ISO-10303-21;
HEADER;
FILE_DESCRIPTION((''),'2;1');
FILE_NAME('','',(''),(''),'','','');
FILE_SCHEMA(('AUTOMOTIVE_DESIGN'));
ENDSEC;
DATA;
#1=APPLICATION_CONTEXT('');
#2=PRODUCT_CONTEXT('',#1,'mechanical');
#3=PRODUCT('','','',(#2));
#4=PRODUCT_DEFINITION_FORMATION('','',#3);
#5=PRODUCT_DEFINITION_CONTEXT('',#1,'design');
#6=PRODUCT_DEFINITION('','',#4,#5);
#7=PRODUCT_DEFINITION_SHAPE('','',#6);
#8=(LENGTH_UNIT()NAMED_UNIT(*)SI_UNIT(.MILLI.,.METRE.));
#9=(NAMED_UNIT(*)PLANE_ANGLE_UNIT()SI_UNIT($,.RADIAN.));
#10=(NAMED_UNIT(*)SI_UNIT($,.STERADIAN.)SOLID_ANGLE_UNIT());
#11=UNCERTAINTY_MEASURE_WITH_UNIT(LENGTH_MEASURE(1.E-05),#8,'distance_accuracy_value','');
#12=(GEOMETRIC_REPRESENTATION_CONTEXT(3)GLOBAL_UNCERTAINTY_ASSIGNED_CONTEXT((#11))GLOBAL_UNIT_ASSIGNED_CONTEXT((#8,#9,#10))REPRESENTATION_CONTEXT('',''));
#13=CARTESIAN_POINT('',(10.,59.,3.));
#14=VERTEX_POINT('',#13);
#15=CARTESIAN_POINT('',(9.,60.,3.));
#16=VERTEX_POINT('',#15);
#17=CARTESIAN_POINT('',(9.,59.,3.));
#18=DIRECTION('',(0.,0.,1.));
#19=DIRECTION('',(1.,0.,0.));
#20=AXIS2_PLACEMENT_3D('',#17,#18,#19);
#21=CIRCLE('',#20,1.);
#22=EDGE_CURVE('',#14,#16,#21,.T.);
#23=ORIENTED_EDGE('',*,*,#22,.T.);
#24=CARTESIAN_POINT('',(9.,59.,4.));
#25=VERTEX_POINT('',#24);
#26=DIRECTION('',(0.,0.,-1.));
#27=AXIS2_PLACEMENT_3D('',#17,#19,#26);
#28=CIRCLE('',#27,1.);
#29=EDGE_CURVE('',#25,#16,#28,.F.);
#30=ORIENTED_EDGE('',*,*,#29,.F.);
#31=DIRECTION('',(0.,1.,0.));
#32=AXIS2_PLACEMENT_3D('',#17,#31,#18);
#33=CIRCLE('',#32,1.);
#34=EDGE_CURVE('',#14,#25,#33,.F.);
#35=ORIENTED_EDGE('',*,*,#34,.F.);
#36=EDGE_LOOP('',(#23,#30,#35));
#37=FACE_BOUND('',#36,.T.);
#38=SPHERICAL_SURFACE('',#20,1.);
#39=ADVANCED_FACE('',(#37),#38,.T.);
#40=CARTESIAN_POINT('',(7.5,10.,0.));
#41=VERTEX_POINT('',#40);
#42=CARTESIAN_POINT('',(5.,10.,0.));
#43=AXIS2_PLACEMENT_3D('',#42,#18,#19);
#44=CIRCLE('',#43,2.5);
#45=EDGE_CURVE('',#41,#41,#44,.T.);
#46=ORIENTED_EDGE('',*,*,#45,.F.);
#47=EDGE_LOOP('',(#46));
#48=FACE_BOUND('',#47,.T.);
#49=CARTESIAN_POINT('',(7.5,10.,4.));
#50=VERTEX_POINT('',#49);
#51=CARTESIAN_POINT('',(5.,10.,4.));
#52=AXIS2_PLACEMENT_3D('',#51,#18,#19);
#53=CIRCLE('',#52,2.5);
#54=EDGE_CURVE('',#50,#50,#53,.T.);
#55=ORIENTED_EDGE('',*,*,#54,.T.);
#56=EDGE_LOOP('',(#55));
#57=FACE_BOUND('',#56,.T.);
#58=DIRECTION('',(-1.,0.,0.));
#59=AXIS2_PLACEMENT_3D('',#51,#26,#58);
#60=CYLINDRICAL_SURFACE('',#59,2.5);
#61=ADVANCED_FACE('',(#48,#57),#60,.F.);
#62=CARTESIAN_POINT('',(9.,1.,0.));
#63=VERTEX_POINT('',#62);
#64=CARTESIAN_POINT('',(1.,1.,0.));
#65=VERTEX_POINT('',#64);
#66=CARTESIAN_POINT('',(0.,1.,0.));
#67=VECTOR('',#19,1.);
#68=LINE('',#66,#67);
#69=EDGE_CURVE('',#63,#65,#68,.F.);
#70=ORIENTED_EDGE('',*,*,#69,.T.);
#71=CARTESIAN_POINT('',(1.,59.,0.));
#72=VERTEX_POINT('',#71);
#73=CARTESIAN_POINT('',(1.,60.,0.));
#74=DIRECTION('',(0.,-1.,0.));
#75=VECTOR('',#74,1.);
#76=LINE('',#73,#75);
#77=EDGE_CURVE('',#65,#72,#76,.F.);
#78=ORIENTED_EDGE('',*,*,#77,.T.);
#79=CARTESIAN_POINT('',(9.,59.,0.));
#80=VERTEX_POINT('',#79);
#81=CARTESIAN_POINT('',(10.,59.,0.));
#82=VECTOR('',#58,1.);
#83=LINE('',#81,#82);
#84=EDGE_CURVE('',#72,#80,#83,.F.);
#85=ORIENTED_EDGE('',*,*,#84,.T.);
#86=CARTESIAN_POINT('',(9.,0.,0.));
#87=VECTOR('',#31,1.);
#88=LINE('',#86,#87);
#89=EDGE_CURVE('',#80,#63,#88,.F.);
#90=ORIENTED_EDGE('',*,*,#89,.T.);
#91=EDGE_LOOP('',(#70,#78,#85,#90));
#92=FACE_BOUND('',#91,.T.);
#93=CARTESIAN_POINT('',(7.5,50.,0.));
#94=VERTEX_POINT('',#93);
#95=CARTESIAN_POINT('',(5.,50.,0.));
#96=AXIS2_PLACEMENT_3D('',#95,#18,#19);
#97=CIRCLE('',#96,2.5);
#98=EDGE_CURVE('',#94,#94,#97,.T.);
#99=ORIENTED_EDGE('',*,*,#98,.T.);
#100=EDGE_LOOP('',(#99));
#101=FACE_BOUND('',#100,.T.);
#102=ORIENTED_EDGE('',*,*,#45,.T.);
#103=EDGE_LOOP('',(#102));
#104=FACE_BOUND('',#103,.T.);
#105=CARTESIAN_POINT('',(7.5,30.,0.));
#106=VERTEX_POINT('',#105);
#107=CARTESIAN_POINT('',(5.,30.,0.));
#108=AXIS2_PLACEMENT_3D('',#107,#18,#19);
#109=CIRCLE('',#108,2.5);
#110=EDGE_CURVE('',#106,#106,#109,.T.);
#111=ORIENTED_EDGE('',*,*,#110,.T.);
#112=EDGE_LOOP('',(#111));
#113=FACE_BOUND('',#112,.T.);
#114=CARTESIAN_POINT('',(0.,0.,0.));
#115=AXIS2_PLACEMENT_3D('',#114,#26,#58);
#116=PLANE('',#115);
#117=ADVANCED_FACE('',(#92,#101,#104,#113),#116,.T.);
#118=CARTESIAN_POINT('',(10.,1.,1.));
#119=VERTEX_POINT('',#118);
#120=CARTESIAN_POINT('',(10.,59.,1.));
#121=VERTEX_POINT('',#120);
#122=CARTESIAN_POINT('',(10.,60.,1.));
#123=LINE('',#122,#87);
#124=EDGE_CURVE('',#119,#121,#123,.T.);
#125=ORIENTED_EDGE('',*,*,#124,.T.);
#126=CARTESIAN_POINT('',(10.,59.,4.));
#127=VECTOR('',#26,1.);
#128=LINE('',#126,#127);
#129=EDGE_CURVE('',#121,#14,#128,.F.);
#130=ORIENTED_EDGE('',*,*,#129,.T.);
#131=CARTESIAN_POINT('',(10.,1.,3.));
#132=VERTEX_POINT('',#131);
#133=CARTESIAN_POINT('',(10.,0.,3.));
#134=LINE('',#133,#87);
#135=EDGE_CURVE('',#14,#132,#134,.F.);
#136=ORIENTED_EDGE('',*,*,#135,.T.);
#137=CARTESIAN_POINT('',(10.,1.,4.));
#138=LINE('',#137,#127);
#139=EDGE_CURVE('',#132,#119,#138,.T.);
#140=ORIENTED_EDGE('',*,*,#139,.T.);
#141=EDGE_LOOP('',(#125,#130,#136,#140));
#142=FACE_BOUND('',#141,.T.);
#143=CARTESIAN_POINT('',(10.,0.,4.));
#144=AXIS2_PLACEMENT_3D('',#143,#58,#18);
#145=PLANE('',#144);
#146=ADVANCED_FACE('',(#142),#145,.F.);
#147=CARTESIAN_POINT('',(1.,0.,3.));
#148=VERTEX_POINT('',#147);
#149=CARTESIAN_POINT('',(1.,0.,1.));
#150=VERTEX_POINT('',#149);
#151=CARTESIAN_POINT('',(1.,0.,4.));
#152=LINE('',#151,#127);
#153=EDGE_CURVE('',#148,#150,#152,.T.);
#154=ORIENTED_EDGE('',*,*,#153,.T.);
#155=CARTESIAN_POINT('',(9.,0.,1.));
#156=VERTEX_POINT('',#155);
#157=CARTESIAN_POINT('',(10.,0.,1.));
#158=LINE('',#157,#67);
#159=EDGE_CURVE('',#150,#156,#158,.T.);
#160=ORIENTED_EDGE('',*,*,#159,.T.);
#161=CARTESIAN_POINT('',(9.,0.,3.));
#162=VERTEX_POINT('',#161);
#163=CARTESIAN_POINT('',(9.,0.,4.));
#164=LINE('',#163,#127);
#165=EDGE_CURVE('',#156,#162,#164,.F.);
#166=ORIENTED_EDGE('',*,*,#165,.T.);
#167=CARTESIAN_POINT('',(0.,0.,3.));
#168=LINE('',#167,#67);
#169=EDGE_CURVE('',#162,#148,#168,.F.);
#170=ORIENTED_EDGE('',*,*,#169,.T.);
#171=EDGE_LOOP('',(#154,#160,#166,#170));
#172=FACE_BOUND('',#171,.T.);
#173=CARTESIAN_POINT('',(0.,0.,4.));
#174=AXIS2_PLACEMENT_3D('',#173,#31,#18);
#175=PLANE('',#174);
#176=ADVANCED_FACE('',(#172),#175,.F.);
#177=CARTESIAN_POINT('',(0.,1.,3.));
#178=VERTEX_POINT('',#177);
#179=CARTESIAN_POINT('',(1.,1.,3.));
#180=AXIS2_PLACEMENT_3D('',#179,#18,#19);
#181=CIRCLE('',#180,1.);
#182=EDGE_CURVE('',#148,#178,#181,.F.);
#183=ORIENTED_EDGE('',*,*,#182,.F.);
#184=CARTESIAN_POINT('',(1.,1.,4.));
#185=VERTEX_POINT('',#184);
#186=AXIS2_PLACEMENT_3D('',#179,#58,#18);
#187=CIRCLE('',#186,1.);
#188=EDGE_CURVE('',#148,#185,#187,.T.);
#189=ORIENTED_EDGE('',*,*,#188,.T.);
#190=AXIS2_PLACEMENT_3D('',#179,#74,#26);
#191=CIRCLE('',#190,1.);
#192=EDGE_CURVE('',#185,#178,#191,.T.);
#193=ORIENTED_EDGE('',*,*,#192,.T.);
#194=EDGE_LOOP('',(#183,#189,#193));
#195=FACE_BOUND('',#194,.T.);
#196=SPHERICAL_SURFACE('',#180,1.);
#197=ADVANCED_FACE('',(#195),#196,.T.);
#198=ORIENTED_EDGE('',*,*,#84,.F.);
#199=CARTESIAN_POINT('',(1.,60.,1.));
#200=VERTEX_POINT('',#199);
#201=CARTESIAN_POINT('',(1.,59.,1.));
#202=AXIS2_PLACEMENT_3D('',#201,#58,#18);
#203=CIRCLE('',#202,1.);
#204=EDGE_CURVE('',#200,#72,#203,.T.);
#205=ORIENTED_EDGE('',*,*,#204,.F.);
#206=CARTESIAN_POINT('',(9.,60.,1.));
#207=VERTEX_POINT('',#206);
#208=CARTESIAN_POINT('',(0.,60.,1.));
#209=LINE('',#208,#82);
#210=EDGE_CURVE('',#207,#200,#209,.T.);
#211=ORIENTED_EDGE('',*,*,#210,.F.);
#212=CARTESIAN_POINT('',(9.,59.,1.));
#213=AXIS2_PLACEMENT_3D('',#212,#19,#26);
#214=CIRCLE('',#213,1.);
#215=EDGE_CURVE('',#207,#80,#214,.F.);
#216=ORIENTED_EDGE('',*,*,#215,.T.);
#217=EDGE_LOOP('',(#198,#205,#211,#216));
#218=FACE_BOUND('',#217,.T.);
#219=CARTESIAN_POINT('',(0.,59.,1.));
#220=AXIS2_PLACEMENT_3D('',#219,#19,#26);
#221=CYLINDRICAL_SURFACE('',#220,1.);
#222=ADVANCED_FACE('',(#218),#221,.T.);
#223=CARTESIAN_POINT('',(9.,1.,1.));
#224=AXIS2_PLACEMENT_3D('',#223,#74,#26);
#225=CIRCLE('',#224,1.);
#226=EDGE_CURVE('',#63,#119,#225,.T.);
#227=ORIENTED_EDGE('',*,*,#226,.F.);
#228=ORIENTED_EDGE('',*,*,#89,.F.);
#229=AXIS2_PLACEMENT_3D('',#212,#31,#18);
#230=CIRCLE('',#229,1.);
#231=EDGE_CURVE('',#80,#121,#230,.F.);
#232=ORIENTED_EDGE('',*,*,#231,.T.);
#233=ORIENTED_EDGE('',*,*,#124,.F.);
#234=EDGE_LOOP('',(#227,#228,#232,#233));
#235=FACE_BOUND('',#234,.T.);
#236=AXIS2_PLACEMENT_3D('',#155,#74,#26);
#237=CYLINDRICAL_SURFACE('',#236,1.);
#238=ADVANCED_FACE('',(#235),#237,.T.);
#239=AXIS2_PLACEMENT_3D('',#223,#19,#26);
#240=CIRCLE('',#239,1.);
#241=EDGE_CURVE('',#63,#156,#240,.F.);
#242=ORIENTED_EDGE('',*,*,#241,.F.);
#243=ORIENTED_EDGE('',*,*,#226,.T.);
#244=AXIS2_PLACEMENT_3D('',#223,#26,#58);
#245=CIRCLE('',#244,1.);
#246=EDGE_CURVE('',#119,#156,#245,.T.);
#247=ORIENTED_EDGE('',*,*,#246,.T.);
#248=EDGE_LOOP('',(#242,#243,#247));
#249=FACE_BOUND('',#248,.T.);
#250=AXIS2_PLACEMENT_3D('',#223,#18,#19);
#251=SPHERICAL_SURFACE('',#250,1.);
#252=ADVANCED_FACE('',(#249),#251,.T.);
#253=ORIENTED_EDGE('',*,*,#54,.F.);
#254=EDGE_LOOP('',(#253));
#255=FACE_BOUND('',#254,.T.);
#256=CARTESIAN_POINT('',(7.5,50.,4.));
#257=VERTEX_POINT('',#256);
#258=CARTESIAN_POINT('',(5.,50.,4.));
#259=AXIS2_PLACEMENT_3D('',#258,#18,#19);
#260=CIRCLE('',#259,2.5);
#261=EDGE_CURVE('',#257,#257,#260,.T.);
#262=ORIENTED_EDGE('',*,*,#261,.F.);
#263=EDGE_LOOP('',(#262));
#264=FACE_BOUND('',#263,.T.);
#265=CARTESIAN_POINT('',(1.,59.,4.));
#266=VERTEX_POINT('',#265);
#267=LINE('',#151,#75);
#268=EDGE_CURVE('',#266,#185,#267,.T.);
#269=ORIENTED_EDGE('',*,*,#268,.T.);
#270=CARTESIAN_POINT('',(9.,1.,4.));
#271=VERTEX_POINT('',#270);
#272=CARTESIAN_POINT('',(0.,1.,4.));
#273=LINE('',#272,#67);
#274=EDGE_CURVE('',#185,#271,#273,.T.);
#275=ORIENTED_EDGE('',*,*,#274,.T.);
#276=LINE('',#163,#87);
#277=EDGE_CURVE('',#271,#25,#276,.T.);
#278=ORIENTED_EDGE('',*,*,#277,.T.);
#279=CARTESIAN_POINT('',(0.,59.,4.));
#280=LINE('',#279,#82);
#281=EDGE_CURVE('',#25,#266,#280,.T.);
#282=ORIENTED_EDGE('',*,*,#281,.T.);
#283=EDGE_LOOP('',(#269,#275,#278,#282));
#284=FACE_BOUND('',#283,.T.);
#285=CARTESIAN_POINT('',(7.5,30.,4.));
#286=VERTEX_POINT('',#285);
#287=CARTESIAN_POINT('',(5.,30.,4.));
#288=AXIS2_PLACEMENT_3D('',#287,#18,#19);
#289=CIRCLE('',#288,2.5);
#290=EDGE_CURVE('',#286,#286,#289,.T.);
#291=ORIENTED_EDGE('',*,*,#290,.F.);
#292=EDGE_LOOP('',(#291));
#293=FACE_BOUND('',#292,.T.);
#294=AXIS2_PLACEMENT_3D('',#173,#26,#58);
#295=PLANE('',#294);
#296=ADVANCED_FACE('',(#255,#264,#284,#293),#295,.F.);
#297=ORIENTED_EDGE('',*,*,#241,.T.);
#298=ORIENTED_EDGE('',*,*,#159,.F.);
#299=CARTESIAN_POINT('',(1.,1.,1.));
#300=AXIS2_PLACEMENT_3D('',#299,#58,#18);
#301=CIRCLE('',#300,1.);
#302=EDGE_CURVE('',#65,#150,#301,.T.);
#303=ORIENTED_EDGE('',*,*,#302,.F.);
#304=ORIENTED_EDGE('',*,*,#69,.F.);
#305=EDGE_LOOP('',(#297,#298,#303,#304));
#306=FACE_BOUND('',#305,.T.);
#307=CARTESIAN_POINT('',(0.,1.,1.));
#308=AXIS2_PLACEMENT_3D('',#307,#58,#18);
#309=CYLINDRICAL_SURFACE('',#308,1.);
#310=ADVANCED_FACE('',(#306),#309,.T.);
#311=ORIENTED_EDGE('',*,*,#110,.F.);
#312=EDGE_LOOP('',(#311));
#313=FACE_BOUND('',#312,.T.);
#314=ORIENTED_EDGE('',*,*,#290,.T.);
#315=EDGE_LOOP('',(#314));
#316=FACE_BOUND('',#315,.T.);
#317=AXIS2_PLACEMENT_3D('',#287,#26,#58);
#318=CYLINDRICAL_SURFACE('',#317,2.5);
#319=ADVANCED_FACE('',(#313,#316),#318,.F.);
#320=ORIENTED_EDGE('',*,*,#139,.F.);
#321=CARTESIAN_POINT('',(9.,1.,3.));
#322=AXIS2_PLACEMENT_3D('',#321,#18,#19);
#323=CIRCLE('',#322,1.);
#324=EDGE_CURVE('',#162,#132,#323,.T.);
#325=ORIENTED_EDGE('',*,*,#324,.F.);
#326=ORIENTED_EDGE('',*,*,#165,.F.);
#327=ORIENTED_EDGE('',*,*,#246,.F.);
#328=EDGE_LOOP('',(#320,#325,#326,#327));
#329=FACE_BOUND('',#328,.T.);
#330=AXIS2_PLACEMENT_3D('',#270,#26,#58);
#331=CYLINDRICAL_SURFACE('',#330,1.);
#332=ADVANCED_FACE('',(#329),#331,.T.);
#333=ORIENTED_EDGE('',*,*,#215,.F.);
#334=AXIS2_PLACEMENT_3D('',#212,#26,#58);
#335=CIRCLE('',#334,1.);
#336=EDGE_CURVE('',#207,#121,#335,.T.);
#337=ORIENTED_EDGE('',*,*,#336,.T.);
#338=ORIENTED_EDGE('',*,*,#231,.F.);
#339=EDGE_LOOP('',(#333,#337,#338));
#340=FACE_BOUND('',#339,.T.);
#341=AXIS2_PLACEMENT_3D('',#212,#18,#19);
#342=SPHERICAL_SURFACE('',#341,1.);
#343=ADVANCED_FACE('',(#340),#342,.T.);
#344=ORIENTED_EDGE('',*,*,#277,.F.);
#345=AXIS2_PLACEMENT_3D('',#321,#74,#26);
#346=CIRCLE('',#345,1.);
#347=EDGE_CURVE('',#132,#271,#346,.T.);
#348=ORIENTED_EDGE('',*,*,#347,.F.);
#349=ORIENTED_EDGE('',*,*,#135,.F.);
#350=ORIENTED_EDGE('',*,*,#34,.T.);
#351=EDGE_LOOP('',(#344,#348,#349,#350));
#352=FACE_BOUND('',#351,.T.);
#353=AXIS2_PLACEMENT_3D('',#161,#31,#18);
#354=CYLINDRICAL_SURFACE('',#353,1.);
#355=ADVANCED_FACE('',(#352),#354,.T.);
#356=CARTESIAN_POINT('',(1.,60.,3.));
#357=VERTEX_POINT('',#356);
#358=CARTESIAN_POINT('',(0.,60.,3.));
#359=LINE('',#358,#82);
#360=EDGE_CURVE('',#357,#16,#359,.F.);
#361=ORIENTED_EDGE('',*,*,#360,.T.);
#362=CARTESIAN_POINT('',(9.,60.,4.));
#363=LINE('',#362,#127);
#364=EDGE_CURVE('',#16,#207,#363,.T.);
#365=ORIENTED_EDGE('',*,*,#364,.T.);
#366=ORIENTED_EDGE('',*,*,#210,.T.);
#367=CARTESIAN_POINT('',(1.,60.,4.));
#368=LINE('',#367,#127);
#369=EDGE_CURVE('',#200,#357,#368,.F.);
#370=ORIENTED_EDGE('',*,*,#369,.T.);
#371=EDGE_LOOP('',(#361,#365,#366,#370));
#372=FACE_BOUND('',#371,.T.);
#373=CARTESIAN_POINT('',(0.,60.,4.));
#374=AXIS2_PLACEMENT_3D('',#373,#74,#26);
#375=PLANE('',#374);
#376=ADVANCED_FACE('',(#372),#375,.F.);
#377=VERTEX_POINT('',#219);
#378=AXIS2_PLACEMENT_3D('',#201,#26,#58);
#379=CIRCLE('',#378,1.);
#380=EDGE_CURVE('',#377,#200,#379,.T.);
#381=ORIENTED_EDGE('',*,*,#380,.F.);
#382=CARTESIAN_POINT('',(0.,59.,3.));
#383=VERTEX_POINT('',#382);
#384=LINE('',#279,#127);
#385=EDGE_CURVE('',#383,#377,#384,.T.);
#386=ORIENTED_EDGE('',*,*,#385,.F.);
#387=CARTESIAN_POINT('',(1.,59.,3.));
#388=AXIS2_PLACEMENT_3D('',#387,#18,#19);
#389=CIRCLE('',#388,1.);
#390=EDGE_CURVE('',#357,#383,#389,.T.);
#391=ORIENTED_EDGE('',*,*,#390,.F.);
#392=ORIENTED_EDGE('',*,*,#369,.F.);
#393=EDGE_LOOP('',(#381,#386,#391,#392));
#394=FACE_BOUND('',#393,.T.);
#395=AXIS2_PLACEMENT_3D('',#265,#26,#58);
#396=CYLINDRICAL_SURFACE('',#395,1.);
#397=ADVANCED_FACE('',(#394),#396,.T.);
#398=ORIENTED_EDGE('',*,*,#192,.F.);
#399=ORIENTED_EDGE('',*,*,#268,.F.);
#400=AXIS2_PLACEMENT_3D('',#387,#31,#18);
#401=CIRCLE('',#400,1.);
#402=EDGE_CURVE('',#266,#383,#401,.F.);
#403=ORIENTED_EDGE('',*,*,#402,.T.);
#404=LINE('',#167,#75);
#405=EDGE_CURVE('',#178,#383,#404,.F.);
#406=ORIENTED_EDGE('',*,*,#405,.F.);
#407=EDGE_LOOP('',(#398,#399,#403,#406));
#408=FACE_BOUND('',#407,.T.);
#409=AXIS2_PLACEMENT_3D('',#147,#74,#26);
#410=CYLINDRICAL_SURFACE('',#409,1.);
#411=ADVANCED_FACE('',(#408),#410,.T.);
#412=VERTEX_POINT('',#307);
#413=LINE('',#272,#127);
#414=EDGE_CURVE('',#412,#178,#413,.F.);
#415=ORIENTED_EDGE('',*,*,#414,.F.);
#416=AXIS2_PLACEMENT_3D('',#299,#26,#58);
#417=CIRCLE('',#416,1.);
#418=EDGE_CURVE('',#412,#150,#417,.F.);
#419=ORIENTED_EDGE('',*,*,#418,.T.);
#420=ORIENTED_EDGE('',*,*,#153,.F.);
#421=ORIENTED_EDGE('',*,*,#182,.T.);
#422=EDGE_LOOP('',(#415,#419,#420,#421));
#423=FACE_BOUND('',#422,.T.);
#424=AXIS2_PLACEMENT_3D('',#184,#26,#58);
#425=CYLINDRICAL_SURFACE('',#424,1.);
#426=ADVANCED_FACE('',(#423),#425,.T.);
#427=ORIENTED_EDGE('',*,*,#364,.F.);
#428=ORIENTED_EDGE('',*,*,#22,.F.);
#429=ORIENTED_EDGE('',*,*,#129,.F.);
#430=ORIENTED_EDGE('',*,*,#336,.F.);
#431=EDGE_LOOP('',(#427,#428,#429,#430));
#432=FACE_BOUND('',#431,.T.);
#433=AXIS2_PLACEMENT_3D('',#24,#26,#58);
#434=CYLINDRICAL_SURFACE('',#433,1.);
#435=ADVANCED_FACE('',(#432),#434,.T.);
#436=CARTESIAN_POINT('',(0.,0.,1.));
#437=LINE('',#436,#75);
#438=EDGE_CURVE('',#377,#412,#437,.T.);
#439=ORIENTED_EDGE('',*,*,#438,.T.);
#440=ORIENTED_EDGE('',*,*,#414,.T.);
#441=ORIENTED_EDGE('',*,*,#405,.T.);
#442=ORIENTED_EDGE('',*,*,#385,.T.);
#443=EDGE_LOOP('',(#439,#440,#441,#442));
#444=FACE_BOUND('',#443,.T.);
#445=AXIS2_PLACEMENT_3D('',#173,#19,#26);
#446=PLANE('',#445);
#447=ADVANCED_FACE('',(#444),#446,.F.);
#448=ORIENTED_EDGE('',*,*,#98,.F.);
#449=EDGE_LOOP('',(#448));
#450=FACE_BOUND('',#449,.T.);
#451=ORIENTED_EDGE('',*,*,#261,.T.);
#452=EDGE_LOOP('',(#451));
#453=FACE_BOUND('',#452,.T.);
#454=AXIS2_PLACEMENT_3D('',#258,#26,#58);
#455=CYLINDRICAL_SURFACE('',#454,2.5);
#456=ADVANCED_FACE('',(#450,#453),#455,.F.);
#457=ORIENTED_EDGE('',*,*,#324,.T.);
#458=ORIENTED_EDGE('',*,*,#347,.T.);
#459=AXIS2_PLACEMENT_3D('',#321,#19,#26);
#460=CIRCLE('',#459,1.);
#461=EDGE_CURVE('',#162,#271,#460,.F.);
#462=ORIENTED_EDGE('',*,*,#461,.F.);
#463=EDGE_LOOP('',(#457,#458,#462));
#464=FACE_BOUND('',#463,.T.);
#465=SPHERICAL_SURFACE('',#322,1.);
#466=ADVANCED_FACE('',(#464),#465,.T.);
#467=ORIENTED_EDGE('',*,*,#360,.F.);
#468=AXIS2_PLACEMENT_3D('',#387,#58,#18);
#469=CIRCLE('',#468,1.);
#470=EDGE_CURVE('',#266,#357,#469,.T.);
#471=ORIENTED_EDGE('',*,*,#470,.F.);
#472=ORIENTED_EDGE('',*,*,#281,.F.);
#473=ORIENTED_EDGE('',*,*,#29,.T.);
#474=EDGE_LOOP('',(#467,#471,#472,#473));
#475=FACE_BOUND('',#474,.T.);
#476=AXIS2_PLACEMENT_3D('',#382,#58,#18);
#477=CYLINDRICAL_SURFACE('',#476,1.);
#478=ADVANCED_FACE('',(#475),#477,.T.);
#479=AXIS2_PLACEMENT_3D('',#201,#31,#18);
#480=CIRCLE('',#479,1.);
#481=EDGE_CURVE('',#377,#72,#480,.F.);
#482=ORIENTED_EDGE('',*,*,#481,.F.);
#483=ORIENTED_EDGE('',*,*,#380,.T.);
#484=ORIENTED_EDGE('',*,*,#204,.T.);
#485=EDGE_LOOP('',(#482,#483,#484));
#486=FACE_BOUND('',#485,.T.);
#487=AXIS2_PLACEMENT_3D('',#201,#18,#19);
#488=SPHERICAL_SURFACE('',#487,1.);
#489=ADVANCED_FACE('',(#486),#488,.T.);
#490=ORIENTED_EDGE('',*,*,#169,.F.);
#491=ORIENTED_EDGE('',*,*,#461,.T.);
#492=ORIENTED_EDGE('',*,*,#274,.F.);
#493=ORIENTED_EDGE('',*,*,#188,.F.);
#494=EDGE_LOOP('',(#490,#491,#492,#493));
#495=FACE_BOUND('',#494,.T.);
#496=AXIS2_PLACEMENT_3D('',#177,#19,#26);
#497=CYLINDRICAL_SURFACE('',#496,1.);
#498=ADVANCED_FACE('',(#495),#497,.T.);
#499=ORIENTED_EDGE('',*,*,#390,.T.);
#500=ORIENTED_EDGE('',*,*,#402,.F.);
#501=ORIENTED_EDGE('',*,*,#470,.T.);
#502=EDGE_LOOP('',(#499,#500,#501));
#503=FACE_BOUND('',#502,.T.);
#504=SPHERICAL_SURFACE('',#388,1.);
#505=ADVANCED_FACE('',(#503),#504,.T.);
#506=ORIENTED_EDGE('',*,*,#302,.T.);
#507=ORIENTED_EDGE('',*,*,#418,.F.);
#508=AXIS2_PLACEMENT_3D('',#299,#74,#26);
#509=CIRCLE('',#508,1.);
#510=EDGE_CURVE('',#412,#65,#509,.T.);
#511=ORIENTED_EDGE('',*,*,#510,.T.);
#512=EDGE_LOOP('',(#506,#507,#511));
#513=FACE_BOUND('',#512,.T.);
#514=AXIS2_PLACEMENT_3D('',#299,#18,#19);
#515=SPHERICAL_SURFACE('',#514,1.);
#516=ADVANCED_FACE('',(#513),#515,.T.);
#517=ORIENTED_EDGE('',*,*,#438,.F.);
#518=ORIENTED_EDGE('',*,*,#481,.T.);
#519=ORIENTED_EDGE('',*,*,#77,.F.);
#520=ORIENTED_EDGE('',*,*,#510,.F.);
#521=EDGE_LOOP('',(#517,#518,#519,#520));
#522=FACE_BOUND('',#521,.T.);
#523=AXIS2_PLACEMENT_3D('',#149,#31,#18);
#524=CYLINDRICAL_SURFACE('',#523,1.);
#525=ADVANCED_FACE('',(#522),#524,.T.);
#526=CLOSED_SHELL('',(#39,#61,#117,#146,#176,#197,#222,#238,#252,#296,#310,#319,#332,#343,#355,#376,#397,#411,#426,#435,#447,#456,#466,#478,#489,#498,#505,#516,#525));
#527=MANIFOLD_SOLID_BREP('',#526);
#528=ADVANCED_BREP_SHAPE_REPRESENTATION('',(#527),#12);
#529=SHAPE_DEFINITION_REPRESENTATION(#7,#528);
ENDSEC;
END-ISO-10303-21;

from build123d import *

# Parameters (mm, degrees)
SKETCH2_W           = 10
SKETCH2_H           = 60
SKETCH2_R           = 2.5
BOSS_EXTRUDE1_DEPTH = 4
FILLET1_R           = 1


with BuildPart() as part:
    # Sketch2 → Boss-Extrude1 (new body)
    with BuildSketch(Plane.XY):
        with Locations((5, 30)):
            Rectangle(SKETCH2_W, SKETCH2_H)
        with Locations((5, 50)):
            Circle(SKETCH2_R, mode=Mode.SUBTRACT)
        with Locations((5, 10)):
            Circle(SKETCH2_R, mode=Mode.SUBTRACT)
        with Locations((5, 30)):
            Circle(SKETCH2_R, mode=Mode.SUBTRACT)
    extrude(amount=BOSS_EXTRUDE1_DEPTH)

    # Fillet1
    fillet1_edges = [part.edges().sort_by_distance(p)[0] for p in [
        (10, 30, 4),
        (5, 60, 4),
        (0, 30, 4),
        (5, 60, 0),
        (10, 30, 0),
        (5, 0, 0),
        (0, 30, 0),
        (0, 60, 2),
        (10, 60, 2),
        (10, 0, 2),
        (0, 0, 2),
        (5, 0, 4),
    ]]
    fillet(fillet1_edges, radius=FILLET1_R)


solid = part.part
